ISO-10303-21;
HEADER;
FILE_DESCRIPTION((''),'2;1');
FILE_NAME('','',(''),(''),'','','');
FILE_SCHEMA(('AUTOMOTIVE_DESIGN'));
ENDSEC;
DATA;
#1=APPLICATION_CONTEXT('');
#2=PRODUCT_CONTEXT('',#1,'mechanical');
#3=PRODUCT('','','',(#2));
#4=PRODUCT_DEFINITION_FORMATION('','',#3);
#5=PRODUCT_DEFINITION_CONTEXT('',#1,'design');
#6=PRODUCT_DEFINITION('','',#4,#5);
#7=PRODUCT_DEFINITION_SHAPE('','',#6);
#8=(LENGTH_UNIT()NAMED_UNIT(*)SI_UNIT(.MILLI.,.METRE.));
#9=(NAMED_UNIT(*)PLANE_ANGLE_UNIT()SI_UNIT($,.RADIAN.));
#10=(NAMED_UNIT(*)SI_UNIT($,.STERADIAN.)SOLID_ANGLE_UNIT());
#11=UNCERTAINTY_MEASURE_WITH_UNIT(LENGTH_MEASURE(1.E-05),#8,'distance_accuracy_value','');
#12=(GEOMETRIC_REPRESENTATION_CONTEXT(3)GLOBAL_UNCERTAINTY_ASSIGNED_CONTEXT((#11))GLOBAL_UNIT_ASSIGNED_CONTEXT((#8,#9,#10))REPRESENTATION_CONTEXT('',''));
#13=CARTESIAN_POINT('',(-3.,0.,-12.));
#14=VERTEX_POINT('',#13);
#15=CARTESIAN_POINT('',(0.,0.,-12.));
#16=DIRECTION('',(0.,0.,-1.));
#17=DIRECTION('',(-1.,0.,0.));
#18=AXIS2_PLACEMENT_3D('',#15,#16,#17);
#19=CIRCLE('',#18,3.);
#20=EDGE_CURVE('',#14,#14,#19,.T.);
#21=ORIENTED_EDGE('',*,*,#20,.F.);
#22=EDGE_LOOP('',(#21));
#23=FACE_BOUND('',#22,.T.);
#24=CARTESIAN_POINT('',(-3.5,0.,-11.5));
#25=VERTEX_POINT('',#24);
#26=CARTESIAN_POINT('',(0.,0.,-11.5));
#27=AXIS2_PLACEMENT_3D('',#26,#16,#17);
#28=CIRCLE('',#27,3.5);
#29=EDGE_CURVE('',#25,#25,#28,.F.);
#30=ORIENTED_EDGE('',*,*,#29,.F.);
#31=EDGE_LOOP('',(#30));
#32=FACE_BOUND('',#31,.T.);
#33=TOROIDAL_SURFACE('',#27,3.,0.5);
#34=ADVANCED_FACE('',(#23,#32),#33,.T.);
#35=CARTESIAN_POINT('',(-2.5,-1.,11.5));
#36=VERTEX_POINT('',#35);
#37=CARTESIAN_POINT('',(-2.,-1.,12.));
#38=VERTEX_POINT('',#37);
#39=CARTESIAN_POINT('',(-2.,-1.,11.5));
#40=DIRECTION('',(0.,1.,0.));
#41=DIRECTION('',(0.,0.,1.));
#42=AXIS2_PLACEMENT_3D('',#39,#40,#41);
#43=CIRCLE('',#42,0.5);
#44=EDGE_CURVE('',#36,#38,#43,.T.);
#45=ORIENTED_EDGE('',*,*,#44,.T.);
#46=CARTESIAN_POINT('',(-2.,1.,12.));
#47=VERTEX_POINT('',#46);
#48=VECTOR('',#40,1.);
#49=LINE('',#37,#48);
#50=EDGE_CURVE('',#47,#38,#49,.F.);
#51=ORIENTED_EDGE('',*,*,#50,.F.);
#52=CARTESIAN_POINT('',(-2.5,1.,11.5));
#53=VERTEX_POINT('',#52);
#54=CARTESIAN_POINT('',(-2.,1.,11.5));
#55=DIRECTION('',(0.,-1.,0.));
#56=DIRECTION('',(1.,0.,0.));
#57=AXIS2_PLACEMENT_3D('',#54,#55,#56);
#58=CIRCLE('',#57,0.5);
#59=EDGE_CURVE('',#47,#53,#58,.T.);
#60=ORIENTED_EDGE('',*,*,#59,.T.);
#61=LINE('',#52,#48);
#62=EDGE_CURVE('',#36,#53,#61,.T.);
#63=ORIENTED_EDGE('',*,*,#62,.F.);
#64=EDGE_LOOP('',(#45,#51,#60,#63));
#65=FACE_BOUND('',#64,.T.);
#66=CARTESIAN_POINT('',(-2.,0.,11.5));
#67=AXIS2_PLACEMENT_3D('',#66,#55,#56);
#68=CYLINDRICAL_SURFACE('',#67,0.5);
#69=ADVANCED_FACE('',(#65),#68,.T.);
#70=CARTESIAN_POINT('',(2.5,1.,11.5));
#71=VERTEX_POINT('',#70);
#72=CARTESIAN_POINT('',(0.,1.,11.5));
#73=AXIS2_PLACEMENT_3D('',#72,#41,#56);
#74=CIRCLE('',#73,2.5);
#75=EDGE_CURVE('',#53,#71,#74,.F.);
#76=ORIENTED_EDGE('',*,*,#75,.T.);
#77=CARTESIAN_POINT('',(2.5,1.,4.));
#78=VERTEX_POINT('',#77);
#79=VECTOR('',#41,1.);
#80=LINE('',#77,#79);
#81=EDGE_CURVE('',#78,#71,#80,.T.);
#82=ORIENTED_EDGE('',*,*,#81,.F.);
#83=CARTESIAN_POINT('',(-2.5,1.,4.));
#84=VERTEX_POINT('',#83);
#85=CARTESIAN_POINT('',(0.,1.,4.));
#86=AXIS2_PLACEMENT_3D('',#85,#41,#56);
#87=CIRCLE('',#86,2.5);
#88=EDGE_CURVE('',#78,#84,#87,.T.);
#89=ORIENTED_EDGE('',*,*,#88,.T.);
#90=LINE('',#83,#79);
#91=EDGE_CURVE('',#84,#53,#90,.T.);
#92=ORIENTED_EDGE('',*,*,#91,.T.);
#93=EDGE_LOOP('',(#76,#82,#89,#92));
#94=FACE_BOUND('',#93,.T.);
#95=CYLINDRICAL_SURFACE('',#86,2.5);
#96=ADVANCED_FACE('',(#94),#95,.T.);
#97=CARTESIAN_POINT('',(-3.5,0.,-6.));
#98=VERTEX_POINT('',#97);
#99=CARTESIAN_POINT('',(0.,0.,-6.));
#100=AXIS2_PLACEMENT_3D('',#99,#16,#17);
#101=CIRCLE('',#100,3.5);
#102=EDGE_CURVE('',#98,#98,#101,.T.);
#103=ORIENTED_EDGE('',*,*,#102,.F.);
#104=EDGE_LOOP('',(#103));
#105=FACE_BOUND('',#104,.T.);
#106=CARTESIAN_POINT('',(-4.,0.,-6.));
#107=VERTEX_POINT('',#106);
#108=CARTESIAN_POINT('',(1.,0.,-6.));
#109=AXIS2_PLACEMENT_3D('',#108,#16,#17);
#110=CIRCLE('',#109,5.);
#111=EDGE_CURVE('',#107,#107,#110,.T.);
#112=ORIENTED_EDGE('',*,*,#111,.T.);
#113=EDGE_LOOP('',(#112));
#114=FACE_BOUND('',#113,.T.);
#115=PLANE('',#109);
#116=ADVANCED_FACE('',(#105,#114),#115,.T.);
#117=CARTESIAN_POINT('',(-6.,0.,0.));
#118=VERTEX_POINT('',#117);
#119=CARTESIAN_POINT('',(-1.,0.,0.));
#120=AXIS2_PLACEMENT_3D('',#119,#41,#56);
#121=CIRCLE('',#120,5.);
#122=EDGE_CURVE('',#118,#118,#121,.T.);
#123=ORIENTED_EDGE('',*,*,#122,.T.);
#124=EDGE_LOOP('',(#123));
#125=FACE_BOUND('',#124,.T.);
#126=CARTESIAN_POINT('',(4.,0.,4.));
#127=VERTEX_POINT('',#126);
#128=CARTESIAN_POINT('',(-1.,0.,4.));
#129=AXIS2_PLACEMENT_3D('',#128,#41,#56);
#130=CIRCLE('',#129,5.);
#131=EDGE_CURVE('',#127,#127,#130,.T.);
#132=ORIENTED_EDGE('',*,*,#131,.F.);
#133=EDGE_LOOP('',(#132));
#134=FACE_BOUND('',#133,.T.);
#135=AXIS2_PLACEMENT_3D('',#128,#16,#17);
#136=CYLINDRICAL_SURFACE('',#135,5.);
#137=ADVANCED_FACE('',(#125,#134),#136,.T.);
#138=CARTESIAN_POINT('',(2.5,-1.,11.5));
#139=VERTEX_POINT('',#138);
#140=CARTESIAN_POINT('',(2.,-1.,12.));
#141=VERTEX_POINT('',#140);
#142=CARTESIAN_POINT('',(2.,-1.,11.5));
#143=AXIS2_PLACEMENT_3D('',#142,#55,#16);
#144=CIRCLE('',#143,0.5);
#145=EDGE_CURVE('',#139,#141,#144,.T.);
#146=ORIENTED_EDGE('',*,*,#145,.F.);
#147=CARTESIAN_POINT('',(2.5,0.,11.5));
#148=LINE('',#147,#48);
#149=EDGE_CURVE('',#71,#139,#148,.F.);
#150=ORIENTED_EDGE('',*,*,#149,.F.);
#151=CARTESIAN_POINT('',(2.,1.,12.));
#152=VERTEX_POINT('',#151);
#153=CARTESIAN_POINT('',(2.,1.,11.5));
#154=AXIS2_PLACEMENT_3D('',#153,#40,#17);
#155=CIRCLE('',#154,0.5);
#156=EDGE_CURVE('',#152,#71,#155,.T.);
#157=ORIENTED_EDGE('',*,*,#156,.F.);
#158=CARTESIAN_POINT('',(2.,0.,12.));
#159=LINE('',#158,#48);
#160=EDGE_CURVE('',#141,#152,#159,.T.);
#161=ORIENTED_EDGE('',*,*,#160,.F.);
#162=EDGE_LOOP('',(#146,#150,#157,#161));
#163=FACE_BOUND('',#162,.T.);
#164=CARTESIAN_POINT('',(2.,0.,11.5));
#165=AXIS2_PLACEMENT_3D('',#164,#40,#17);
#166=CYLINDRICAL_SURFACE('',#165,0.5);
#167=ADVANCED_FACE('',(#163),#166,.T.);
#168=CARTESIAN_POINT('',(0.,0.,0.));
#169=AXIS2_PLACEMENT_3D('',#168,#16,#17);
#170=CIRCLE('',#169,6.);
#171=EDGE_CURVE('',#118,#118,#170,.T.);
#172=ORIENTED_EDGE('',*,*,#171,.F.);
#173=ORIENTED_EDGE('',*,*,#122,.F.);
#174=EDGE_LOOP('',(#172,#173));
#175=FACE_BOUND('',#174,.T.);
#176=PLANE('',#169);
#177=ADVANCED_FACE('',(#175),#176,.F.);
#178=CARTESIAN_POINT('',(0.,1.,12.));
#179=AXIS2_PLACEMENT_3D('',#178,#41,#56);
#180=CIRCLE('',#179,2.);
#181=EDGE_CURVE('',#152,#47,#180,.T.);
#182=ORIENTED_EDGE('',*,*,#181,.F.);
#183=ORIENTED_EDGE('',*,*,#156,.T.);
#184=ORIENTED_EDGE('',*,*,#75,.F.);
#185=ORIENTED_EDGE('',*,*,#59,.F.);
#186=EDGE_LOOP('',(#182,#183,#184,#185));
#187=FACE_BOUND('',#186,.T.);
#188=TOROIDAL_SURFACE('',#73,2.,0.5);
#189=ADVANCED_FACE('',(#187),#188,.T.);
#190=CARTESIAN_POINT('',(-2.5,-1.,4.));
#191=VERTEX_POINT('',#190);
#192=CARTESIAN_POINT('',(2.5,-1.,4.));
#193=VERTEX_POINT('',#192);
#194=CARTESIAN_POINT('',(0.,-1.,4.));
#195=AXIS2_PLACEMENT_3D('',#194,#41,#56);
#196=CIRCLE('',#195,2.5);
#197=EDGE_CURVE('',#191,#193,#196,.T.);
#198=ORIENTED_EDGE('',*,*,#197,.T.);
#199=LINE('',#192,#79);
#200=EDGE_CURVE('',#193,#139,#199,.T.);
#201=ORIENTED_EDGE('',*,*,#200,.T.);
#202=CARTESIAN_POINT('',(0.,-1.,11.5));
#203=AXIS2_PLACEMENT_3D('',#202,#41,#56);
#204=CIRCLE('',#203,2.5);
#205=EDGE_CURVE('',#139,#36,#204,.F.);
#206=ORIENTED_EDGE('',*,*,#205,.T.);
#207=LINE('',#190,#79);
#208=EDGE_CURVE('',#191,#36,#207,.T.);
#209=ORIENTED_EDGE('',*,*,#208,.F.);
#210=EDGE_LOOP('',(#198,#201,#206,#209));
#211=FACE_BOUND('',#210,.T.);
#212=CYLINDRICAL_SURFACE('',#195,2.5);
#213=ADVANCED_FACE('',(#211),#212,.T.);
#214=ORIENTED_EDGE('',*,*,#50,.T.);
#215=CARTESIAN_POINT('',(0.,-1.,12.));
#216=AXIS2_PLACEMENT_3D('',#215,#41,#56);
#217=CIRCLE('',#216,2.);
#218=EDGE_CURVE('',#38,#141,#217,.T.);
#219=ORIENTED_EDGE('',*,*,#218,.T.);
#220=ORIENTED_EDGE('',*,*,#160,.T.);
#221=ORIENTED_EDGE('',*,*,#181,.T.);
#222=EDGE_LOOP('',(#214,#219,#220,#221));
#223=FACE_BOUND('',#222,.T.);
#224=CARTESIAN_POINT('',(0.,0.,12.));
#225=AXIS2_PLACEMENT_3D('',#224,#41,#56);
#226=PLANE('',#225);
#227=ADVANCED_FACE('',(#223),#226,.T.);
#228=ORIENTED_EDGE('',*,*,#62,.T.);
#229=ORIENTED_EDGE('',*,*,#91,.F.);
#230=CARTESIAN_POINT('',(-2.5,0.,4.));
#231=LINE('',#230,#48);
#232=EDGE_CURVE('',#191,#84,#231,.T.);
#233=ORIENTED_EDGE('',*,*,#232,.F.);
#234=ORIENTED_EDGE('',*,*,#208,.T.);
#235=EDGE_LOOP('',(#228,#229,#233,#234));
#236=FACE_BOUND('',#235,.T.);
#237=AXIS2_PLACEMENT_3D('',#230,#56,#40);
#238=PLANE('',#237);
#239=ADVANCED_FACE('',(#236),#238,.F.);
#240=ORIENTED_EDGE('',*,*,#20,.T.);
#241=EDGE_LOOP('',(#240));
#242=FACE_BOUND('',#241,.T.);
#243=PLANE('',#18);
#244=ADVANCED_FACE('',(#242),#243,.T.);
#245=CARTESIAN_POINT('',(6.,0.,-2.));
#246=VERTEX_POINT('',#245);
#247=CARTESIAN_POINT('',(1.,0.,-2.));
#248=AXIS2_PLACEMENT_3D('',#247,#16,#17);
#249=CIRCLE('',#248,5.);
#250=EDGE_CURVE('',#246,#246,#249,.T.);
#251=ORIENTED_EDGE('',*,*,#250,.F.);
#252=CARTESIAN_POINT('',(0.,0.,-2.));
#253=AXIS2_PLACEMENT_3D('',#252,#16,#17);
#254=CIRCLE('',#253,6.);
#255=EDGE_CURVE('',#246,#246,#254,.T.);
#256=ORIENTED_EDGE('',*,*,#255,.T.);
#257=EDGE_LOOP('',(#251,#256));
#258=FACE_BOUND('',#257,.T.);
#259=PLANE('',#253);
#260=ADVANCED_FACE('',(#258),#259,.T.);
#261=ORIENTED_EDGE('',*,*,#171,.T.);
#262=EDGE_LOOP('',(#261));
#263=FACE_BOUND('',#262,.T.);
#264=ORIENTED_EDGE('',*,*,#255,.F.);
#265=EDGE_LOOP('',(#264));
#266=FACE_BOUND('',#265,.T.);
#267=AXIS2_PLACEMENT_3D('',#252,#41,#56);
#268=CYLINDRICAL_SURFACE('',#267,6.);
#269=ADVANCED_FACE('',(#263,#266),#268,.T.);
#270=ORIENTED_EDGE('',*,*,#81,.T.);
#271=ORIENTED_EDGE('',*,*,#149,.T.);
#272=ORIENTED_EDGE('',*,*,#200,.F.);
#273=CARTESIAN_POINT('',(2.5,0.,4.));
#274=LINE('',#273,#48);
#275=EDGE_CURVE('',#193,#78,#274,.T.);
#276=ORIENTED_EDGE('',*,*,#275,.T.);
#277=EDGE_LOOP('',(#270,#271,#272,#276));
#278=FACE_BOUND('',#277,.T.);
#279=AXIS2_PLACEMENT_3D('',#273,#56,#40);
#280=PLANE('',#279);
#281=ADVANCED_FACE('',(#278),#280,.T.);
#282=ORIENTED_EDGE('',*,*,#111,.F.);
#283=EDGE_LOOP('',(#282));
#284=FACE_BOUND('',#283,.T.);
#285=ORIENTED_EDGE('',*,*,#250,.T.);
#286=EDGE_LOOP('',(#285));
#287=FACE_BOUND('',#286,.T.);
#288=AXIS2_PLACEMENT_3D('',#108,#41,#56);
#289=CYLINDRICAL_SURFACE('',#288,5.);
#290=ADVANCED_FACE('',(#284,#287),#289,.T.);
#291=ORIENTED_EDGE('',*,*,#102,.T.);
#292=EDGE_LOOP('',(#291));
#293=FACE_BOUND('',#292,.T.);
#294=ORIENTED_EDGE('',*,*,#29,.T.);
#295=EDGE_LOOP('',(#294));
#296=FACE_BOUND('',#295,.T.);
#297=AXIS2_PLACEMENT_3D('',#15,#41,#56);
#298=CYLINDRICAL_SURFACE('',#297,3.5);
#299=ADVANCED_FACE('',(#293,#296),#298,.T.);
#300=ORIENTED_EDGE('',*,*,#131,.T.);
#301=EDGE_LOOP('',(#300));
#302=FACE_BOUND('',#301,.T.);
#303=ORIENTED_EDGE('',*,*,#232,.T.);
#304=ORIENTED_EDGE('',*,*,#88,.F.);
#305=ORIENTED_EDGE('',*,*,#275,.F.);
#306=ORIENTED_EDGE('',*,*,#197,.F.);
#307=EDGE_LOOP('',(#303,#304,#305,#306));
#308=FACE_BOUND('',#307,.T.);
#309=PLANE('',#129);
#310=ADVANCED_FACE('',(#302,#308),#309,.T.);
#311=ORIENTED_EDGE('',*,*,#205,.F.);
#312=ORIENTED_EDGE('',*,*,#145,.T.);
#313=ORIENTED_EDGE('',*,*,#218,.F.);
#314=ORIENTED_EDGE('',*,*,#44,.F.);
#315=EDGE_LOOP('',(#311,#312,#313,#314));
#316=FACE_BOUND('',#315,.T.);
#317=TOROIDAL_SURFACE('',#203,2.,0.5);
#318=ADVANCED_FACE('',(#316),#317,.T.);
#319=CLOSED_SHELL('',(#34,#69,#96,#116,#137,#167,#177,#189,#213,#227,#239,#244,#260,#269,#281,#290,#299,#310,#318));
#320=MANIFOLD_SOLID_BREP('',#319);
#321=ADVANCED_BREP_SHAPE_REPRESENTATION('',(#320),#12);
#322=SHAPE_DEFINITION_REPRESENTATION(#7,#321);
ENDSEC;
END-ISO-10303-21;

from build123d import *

# Parameters (mm, degrees)
SKETCH_1_R          = 5
EXTRUDE_1_DEPTH     = 4
SKETCH_2_R          = 6
EXTRUDE_2_DEPTH     = 2
SKETCH_3_R          = 5
EXTRUDE_3_DEPTH     = 4
SKETCH_4_R          = 3.5
EXTRUDE_4_DEPTH     = 8
EXTRUDE_START       = 6
SKETCH_5_R          = 3.5
EXTRUDE_5_DEPTH     = 6
CUT_EXTRUDE_START   = -8
CUT_EXTRUDE_2_DEPTH = 8
FILLET_1_R          = 0.5


with BuildPart() as part:
    # 草图1 → 凸台-拉伸1 (new body)
    with BuildSketch(Plane.XY):
        with Locations((-1, 0)):
            Circle(SKETCH_1_R)
    extrude(amount=EXTRUDE_1_DEPTH)

    # 草图2 → 凸台-拉伸2 (add)
    with BuildSketch(Plane(origin=(0, 0, 0), x_dir=(-1, 0, 0), z_dir=(0, 0, -1))):
        Circle(SKETCH_2_R)
    extrude(amount=EXTRUDE_2_DEPTH)

    # 草图3 → 凸台-拉伸3 (add)
    with BuildSketch(Plane(origin=(0, 0, -2), x_dir=(-1, 0, 0), z_dir=(0, 0, -1))):
        with Locations(Location((-1, 0, 0), (0, 0, 179.999112378))):
            Circle(SKETCH_3_R)
    extrude(amount=EXTRUDE_3_DEPTH)

    # 草图4 → 凸台-拉伸4 (add)
    with BuildSketch(Plane.XY.offset(4)):
        Circle(SKETCH_4_R)
    extrude(amount=EXTRUDE_4_DEPTH)

    # 草图5 → 凸台-拉伸5 (add)
    with BuildSketch(Plane(origin=(0, 0, -6), x_dir=(-1, 0, 0), z_dir=(0, 0, -1)).offset(EXTRUDE_START)):
        with Locations(Location((0, 0, 0), (0, 0, 180))):
            Circle(SKETCH_5_R)
    extrude(amount=-EXTRUDE_5_DEPTH)

    # 草图7 → 切除-拉伸2 (cut)
    with BuildSketch(Plane.XY.offset(12).offset(CUT_EXTRUDE_START)):
        with BuildLine():
            ThreePointArc((2.5, -1), (1.767766953, -2.767766953), (0, -3.5))
            ThreePointArc((0, -3.5), (2.474873734, -2.474873734), (3.5, 0))
            ThreePointArc((3.5, 0), (2.47487374, 2.474873729), (1.6e-08, 3.5))
            ThreePointArc((1.6e-08, 3.5), (1.767766959, 2.767766947), (2.5, 1))
            Line((2.5, 1), (2.5, -1))
        make_face()
        with BuildLine():
            ThreePointArc((0, -3.5), (-1.767766953, -2.767766953), (-2.5, -1))
            Line((-2.5, -1), (-2.5, 1))
            ThreePointArc((-2.5, 1), (-1.767766947, 2.767766959), (1.6e-08, 3.5))
            ThreePointArc((1.6e-08, 3.5), (-3.5, 8e-09), (0, -3.5))
        make_face()
    extrude(amount=CUT_EXTRUDE_2_DEPTH, mode=Mode.SUBTRACT)

    # 圆角1
    fillet_1_edges = [part.edges().sort_by_distance(p)[0] for p in [
        (-3.5, 0, -12),
        (0, 3.5, 12),
        (0, -3.5, 12),
        (2.5, 0, 12),
        (-2.5, 0, 12),
    ]]
    fillet(fillet_1_edges, radius=FILLET_1_R)


solid = part.part
